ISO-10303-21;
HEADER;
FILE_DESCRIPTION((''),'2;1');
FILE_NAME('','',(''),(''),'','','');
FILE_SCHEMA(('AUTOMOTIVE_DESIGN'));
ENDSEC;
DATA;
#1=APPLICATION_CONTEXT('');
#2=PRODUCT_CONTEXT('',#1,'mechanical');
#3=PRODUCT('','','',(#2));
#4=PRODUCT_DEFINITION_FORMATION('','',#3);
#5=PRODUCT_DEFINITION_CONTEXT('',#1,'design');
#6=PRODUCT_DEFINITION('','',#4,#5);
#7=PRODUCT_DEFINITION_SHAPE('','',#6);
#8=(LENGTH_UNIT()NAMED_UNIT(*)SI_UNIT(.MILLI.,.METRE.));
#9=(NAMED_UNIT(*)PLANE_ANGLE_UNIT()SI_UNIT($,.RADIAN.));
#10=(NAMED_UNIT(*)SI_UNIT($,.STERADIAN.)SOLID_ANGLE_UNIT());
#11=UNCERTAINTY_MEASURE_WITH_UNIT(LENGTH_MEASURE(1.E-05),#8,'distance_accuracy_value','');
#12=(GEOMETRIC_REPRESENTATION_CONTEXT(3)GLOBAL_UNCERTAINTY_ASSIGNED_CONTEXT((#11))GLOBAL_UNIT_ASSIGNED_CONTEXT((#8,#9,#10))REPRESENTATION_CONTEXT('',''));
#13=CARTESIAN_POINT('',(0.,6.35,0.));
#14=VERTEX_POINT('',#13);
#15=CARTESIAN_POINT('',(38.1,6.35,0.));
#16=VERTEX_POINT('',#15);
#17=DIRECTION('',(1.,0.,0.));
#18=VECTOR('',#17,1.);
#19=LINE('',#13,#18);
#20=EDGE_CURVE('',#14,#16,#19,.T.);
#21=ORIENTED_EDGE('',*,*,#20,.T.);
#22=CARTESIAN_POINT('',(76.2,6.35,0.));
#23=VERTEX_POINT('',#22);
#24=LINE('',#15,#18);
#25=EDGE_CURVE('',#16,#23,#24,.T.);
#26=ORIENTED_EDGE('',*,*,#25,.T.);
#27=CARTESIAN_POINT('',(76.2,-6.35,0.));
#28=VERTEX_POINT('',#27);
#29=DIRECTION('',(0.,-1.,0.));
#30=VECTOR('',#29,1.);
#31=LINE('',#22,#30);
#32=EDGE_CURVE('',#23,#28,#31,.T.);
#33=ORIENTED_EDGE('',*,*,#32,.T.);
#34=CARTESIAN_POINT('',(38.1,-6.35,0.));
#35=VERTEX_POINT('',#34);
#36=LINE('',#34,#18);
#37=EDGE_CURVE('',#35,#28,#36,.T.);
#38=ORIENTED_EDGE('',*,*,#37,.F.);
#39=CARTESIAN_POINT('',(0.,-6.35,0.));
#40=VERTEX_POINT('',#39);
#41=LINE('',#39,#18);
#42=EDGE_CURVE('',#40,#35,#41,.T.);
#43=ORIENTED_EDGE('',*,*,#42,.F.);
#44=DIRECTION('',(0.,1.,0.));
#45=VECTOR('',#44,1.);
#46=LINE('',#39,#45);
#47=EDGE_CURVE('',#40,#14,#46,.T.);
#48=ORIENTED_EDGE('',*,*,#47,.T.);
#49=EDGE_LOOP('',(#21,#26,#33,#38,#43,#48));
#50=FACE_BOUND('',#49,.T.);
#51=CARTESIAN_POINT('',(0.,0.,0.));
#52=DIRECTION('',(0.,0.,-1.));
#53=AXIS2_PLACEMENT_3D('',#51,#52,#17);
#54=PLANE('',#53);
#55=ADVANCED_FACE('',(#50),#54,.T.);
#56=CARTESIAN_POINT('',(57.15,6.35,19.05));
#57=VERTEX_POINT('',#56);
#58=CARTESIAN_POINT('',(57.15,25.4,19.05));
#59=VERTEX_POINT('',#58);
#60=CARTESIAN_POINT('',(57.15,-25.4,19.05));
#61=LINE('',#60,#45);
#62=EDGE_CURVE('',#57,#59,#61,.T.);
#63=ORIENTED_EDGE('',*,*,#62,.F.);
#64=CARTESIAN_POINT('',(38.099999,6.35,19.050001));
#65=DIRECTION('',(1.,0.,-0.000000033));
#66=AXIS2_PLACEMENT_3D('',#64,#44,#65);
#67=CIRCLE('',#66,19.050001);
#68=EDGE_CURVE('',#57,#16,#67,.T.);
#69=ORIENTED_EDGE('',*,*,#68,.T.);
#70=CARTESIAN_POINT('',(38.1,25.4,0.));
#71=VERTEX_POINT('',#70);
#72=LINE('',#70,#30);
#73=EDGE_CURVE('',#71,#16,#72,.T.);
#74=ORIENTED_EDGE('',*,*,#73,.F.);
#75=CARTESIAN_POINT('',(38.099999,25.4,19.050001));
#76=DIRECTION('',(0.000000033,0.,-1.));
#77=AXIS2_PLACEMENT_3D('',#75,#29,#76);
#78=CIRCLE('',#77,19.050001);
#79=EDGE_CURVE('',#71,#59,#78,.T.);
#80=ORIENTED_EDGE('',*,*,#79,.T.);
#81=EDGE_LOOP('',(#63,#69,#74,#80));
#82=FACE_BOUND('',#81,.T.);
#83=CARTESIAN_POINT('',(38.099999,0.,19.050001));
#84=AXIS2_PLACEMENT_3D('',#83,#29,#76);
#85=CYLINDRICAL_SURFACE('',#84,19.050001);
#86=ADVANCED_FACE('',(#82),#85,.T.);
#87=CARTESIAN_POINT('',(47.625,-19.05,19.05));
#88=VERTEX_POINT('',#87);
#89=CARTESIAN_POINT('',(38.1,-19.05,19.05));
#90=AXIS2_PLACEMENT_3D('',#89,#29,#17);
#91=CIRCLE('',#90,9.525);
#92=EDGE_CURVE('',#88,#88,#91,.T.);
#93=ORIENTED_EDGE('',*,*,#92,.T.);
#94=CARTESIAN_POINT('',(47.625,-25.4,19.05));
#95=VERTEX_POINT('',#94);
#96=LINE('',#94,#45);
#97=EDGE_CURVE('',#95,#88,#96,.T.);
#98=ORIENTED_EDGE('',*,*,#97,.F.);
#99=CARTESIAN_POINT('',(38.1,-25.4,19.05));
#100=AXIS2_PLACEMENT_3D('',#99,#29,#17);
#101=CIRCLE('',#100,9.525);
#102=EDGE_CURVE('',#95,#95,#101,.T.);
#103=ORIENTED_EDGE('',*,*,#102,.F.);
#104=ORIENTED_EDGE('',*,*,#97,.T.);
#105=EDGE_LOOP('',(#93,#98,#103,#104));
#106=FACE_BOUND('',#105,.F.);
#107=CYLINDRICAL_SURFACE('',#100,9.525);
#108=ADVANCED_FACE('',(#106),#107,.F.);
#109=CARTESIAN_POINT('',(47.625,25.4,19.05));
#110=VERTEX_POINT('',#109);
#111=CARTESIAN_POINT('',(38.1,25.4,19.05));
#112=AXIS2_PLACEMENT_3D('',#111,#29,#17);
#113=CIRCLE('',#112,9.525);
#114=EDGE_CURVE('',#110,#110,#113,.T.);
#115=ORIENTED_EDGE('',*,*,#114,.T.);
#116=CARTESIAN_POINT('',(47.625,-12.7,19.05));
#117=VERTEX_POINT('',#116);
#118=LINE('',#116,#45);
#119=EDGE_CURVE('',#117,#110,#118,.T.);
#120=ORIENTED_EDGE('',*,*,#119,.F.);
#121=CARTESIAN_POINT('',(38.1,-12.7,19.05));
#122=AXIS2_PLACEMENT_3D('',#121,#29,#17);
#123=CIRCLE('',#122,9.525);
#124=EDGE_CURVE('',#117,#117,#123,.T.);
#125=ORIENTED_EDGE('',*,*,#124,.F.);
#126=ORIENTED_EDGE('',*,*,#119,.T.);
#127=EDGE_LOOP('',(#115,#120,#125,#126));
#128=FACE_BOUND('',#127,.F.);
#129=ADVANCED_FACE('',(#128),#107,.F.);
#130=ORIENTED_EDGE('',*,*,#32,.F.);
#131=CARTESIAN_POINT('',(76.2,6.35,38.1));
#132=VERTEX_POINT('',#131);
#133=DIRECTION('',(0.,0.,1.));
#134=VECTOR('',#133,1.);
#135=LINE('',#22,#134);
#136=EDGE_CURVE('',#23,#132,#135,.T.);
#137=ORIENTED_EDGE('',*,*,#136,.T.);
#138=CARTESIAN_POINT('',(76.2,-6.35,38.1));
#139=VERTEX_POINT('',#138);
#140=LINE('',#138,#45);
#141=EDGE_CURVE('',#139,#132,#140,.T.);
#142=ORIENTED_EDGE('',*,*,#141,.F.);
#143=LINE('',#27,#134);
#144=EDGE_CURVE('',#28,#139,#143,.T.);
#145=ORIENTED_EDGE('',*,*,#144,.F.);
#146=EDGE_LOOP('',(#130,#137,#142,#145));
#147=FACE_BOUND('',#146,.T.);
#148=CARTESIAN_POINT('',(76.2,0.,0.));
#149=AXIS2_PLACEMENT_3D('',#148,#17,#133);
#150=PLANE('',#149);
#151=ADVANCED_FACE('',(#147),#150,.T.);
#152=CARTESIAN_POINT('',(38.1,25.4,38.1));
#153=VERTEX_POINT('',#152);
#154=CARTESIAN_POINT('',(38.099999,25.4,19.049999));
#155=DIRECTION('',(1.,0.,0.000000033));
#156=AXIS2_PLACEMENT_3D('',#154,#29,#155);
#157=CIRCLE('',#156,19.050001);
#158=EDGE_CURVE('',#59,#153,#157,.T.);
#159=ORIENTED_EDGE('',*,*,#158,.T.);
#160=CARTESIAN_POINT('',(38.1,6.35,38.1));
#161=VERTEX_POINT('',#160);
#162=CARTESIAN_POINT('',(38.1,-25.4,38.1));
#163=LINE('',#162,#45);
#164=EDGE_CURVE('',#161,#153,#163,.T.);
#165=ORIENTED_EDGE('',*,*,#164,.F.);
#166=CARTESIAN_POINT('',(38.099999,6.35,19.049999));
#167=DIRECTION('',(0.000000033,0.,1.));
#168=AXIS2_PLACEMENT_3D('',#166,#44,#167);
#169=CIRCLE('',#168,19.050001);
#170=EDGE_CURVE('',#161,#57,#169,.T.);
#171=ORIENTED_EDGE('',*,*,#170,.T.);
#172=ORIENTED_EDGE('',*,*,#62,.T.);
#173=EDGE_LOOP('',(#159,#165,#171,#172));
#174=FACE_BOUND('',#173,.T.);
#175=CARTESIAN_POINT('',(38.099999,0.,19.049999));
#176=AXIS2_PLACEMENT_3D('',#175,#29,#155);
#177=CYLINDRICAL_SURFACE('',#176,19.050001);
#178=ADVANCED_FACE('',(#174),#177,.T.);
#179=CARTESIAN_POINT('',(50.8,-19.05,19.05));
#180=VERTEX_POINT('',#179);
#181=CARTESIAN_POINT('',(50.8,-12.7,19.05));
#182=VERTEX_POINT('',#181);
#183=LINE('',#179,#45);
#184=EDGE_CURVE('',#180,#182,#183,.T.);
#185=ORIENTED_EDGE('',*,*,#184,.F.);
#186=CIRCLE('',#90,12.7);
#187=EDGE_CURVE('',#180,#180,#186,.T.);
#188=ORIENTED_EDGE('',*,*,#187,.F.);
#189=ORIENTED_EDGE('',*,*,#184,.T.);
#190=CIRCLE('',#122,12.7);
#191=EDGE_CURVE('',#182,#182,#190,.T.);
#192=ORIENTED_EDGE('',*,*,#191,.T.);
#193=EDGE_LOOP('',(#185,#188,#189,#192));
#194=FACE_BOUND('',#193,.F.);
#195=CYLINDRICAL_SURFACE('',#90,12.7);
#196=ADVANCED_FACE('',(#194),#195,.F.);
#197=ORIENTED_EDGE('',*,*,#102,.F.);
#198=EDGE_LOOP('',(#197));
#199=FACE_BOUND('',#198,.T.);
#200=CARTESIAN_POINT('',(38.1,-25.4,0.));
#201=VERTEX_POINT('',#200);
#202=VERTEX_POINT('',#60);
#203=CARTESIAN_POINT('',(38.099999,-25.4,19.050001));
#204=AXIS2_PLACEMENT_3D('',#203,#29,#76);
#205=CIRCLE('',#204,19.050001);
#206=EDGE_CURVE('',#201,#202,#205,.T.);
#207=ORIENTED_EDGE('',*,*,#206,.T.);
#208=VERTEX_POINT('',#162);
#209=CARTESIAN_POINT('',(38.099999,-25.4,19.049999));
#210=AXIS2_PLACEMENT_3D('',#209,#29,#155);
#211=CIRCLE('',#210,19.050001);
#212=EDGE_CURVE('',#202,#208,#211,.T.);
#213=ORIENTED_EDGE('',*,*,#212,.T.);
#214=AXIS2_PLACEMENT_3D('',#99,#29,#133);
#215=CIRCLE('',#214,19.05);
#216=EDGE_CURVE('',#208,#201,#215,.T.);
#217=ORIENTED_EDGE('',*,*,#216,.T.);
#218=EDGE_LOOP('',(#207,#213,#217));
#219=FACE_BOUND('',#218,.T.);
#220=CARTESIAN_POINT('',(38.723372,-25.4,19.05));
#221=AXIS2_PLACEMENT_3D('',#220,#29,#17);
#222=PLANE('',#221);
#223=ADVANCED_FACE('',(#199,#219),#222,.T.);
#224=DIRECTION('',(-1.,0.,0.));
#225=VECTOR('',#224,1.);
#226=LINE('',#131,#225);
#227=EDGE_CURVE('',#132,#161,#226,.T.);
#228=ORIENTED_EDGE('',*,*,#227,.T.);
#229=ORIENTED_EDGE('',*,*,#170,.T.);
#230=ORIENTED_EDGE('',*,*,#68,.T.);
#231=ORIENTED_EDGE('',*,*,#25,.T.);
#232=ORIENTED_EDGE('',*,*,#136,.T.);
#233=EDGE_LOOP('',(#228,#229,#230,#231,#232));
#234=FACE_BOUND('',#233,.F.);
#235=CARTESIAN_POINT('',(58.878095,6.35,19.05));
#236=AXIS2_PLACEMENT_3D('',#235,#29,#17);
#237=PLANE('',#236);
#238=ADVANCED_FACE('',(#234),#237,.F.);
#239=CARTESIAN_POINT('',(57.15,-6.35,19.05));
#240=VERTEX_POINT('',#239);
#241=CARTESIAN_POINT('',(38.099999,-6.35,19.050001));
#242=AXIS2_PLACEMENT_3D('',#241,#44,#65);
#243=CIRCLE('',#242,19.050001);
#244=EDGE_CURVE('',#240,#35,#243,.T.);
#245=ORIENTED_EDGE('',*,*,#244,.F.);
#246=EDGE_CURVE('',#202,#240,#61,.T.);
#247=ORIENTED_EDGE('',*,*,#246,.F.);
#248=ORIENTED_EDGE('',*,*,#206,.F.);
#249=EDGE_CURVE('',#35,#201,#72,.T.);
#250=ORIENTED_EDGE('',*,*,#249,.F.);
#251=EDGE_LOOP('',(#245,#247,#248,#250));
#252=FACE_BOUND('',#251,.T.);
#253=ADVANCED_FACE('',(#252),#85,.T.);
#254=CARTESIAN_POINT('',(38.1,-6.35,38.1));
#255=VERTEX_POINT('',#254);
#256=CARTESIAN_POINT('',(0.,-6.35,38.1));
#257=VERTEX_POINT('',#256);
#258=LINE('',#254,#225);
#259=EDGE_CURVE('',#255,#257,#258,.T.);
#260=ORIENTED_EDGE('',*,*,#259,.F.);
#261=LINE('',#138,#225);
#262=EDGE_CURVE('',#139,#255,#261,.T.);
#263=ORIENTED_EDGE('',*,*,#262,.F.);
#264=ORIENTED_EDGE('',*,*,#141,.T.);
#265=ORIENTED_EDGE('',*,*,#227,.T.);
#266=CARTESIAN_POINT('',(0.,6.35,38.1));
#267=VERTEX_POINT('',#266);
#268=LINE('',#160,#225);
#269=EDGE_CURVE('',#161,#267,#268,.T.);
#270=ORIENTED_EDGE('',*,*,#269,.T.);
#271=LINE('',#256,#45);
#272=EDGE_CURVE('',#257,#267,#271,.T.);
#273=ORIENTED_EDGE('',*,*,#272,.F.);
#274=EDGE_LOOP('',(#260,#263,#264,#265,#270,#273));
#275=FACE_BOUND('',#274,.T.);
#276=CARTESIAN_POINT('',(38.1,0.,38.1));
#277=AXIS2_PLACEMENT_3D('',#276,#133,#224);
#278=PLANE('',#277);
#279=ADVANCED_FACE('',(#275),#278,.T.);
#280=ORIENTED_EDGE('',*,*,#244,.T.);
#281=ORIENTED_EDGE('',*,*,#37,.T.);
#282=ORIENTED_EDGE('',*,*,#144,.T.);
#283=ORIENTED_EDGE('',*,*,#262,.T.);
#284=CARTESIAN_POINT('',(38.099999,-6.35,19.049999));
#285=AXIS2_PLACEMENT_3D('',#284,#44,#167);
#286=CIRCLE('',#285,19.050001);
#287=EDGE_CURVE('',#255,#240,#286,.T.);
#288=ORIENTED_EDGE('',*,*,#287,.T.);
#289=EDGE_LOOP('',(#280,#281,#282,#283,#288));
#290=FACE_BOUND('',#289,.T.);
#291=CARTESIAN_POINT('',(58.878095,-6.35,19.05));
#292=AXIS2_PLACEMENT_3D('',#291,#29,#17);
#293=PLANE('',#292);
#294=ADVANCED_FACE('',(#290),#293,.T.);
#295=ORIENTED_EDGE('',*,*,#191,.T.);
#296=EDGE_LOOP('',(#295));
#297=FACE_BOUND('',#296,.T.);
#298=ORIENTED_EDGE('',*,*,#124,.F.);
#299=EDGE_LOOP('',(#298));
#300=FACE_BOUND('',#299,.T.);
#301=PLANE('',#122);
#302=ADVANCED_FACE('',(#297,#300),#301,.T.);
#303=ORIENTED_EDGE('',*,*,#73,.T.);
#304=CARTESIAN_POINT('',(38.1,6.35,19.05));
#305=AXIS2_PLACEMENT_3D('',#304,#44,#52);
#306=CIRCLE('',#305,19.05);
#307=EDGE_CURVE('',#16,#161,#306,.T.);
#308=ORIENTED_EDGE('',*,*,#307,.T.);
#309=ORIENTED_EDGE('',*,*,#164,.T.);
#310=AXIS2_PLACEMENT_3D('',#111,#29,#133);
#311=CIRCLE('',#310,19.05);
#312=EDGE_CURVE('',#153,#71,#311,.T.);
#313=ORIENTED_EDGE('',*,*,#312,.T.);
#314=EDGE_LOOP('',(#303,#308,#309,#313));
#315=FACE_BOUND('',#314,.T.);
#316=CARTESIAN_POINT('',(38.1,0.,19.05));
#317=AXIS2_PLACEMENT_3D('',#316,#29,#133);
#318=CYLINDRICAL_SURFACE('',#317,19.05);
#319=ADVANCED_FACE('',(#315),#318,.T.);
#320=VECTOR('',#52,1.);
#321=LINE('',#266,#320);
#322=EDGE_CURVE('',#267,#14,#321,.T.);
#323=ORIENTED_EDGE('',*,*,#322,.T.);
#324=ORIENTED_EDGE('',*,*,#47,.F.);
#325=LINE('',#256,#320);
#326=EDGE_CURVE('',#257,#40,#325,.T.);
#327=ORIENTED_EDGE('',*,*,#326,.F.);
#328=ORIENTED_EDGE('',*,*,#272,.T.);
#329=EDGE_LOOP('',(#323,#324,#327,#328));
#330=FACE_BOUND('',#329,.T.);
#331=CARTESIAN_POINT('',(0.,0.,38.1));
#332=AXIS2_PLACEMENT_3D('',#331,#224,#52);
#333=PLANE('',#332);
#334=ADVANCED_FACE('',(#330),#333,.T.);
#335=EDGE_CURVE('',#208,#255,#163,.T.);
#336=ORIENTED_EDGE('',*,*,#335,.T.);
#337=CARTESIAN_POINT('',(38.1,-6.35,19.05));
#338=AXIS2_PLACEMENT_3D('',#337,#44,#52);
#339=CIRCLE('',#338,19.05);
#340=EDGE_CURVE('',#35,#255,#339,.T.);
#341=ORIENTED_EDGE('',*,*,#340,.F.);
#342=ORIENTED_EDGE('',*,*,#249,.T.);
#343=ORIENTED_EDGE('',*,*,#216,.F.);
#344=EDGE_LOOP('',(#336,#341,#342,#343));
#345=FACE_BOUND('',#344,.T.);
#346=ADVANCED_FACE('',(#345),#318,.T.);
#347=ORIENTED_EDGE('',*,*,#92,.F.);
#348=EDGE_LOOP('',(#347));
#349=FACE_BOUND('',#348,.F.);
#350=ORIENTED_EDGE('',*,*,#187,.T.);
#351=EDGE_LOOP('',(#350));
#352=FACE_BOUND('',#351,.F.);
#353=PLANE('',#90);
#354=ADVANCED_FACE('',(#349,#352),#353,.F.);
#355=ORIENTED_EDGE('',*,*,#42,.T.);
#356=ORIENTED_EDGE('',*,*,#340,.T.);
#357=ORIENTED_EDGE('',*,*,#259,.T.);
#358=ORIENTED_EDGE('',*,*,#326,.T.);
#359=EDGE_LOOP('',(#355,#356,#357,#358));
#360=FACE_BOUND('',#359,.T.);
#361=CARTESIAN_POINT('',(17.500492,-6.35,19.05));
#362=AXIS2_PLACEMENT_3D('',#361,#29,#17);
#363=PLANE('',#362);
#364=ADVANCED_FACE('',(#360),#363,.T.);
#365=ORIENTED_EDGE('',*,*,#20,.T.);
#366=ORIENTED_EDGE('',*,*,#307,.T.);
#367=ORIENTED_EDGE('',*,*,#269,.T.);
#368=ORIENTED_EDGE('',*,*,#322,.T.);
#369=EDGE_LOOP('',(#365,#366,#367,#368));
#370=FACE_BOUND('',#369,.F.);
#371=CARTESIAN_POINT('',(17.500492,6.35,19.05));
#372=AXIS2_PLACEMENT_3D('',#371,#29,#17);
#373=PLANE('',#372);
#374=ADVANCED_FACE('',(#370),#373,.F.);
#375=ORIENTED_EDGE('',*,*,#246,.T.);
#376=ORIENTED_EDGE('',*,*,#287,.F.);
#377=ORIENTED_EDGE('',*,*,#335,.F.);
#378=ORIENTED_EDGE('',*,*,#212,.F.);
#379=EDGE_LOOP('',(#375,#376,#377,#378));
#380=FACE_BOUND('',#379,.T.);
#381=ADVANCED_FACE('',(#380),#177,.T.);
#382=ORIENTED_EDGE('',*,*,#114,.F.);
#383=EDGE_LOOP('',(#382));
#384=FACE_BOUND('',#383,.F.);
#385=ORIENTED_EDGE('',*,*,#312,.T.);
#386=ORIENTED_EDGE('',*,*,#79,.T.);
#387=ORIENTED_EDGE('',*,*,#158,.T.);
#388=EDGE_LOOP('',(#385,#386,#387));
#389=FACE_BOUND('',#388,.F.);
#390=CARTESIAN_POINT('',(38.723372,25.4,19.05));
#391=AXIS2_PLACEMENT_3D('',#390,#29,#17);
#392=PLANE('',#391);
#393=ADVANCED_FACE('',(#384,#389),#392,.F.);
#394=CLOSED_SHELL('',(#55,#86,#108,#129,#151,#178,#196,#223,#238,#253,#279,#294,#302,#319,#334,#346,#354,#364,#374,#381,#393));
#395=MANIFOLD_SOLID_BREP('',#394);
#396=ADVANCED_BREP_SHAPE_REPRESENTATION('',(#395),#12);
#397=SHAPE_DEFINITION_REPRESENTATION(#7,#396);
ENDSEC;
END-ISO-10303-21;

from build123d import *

# Parameters (mm, degrees)
F0_R     = 9.525
F1_DEPTH = 25.4
F2_R     = 9.525
F3_DEPTH = 6.35
F4_R     = 12.7
F5_DEPTH = 6.35
F6_R     = 9.525
F7_DEPTH = 76.2
F8_DEPTH = 6.35


with BuildPart() as f1:
    # F0 (on Front) → F1 (new body, symmetric)
    with BuildSketch(Plane.XZ):
        with BuildLine():
            ThreePointArc((38.1, 38.1), (19.05, 19.05), (38.1, 0))
            ThreePointArc((38.1, 0), (51.570384, 5.579616), (57.15, 19.05))
            ThreePointArc((57.15, 19.05), (51.570384, 32.520384), (38.1, 38.1))
        make_face()
        with Locations((38.1, 19.05)):
            Circle(F0_R, mode=Mode.SUBTRACT)
        with Locations((38.1, 19.05)):
            Circle(F0_R)
    extrude(amount=F1_DEPTH, both=True)

    # F2 (on face) → F3 (cut)
    with BuildSketch(Plane.XZ.offset(12.7)):
        with Locations((38.1, 19.05)):
            Circle(F2_R)
    extrude(amount=-F3_DEPTH, mode=Mode.SUBTRACT)

    # F4 (on face) → F5 (cut)
    with BuildSketch(Plane.XZ.offset(19.05)):
        with Locations((38.1, 19.05)):
            Circle(F4_R)
    extrude(amount=-F5_DEPTH, mode=Mode.SUBTRACT)

    # F6 (on face) → F7 (cut)
    with BuildSketch(Plane.XZ.offset(25.4)):
        with Locations((38.1, 19.05)):
            Circle(F6_R)
    extrude(amount=-F7_DEPTH, mode=Mode.SUBTRACT)

    # F0 (on Front) → F8 (join, symmetric)
    with BuildSketch(Plane.XZ):
        with BuildLine():
            Line((0, 38.1), (0, 0))
            Line((0, 0), (38.1, 0))
            ThreePointArc((38.1, 0), (19.05, 19.05), (38.1, 38.1))
            Line((38.1, 38.1), (0, 38.1))
        make_face()
        with BuildLine():
            ThreePointArc((57.15, 19.05), (51.570384, 5.579616), (38.1, 0))
            Line((38.1, 0), (76.2, 0))
            Line((76.2, 0), (76.2, 38.1))
            Line((76.2, 38.1), (38.1, 38.1))
            ThreePointArc((38.1, 38.1), (51.570384, 32.520384), (57.15, 19.05))
        make_face()
    extrude(amount=F8_DEPTH, both=True)


solid = f1.part
